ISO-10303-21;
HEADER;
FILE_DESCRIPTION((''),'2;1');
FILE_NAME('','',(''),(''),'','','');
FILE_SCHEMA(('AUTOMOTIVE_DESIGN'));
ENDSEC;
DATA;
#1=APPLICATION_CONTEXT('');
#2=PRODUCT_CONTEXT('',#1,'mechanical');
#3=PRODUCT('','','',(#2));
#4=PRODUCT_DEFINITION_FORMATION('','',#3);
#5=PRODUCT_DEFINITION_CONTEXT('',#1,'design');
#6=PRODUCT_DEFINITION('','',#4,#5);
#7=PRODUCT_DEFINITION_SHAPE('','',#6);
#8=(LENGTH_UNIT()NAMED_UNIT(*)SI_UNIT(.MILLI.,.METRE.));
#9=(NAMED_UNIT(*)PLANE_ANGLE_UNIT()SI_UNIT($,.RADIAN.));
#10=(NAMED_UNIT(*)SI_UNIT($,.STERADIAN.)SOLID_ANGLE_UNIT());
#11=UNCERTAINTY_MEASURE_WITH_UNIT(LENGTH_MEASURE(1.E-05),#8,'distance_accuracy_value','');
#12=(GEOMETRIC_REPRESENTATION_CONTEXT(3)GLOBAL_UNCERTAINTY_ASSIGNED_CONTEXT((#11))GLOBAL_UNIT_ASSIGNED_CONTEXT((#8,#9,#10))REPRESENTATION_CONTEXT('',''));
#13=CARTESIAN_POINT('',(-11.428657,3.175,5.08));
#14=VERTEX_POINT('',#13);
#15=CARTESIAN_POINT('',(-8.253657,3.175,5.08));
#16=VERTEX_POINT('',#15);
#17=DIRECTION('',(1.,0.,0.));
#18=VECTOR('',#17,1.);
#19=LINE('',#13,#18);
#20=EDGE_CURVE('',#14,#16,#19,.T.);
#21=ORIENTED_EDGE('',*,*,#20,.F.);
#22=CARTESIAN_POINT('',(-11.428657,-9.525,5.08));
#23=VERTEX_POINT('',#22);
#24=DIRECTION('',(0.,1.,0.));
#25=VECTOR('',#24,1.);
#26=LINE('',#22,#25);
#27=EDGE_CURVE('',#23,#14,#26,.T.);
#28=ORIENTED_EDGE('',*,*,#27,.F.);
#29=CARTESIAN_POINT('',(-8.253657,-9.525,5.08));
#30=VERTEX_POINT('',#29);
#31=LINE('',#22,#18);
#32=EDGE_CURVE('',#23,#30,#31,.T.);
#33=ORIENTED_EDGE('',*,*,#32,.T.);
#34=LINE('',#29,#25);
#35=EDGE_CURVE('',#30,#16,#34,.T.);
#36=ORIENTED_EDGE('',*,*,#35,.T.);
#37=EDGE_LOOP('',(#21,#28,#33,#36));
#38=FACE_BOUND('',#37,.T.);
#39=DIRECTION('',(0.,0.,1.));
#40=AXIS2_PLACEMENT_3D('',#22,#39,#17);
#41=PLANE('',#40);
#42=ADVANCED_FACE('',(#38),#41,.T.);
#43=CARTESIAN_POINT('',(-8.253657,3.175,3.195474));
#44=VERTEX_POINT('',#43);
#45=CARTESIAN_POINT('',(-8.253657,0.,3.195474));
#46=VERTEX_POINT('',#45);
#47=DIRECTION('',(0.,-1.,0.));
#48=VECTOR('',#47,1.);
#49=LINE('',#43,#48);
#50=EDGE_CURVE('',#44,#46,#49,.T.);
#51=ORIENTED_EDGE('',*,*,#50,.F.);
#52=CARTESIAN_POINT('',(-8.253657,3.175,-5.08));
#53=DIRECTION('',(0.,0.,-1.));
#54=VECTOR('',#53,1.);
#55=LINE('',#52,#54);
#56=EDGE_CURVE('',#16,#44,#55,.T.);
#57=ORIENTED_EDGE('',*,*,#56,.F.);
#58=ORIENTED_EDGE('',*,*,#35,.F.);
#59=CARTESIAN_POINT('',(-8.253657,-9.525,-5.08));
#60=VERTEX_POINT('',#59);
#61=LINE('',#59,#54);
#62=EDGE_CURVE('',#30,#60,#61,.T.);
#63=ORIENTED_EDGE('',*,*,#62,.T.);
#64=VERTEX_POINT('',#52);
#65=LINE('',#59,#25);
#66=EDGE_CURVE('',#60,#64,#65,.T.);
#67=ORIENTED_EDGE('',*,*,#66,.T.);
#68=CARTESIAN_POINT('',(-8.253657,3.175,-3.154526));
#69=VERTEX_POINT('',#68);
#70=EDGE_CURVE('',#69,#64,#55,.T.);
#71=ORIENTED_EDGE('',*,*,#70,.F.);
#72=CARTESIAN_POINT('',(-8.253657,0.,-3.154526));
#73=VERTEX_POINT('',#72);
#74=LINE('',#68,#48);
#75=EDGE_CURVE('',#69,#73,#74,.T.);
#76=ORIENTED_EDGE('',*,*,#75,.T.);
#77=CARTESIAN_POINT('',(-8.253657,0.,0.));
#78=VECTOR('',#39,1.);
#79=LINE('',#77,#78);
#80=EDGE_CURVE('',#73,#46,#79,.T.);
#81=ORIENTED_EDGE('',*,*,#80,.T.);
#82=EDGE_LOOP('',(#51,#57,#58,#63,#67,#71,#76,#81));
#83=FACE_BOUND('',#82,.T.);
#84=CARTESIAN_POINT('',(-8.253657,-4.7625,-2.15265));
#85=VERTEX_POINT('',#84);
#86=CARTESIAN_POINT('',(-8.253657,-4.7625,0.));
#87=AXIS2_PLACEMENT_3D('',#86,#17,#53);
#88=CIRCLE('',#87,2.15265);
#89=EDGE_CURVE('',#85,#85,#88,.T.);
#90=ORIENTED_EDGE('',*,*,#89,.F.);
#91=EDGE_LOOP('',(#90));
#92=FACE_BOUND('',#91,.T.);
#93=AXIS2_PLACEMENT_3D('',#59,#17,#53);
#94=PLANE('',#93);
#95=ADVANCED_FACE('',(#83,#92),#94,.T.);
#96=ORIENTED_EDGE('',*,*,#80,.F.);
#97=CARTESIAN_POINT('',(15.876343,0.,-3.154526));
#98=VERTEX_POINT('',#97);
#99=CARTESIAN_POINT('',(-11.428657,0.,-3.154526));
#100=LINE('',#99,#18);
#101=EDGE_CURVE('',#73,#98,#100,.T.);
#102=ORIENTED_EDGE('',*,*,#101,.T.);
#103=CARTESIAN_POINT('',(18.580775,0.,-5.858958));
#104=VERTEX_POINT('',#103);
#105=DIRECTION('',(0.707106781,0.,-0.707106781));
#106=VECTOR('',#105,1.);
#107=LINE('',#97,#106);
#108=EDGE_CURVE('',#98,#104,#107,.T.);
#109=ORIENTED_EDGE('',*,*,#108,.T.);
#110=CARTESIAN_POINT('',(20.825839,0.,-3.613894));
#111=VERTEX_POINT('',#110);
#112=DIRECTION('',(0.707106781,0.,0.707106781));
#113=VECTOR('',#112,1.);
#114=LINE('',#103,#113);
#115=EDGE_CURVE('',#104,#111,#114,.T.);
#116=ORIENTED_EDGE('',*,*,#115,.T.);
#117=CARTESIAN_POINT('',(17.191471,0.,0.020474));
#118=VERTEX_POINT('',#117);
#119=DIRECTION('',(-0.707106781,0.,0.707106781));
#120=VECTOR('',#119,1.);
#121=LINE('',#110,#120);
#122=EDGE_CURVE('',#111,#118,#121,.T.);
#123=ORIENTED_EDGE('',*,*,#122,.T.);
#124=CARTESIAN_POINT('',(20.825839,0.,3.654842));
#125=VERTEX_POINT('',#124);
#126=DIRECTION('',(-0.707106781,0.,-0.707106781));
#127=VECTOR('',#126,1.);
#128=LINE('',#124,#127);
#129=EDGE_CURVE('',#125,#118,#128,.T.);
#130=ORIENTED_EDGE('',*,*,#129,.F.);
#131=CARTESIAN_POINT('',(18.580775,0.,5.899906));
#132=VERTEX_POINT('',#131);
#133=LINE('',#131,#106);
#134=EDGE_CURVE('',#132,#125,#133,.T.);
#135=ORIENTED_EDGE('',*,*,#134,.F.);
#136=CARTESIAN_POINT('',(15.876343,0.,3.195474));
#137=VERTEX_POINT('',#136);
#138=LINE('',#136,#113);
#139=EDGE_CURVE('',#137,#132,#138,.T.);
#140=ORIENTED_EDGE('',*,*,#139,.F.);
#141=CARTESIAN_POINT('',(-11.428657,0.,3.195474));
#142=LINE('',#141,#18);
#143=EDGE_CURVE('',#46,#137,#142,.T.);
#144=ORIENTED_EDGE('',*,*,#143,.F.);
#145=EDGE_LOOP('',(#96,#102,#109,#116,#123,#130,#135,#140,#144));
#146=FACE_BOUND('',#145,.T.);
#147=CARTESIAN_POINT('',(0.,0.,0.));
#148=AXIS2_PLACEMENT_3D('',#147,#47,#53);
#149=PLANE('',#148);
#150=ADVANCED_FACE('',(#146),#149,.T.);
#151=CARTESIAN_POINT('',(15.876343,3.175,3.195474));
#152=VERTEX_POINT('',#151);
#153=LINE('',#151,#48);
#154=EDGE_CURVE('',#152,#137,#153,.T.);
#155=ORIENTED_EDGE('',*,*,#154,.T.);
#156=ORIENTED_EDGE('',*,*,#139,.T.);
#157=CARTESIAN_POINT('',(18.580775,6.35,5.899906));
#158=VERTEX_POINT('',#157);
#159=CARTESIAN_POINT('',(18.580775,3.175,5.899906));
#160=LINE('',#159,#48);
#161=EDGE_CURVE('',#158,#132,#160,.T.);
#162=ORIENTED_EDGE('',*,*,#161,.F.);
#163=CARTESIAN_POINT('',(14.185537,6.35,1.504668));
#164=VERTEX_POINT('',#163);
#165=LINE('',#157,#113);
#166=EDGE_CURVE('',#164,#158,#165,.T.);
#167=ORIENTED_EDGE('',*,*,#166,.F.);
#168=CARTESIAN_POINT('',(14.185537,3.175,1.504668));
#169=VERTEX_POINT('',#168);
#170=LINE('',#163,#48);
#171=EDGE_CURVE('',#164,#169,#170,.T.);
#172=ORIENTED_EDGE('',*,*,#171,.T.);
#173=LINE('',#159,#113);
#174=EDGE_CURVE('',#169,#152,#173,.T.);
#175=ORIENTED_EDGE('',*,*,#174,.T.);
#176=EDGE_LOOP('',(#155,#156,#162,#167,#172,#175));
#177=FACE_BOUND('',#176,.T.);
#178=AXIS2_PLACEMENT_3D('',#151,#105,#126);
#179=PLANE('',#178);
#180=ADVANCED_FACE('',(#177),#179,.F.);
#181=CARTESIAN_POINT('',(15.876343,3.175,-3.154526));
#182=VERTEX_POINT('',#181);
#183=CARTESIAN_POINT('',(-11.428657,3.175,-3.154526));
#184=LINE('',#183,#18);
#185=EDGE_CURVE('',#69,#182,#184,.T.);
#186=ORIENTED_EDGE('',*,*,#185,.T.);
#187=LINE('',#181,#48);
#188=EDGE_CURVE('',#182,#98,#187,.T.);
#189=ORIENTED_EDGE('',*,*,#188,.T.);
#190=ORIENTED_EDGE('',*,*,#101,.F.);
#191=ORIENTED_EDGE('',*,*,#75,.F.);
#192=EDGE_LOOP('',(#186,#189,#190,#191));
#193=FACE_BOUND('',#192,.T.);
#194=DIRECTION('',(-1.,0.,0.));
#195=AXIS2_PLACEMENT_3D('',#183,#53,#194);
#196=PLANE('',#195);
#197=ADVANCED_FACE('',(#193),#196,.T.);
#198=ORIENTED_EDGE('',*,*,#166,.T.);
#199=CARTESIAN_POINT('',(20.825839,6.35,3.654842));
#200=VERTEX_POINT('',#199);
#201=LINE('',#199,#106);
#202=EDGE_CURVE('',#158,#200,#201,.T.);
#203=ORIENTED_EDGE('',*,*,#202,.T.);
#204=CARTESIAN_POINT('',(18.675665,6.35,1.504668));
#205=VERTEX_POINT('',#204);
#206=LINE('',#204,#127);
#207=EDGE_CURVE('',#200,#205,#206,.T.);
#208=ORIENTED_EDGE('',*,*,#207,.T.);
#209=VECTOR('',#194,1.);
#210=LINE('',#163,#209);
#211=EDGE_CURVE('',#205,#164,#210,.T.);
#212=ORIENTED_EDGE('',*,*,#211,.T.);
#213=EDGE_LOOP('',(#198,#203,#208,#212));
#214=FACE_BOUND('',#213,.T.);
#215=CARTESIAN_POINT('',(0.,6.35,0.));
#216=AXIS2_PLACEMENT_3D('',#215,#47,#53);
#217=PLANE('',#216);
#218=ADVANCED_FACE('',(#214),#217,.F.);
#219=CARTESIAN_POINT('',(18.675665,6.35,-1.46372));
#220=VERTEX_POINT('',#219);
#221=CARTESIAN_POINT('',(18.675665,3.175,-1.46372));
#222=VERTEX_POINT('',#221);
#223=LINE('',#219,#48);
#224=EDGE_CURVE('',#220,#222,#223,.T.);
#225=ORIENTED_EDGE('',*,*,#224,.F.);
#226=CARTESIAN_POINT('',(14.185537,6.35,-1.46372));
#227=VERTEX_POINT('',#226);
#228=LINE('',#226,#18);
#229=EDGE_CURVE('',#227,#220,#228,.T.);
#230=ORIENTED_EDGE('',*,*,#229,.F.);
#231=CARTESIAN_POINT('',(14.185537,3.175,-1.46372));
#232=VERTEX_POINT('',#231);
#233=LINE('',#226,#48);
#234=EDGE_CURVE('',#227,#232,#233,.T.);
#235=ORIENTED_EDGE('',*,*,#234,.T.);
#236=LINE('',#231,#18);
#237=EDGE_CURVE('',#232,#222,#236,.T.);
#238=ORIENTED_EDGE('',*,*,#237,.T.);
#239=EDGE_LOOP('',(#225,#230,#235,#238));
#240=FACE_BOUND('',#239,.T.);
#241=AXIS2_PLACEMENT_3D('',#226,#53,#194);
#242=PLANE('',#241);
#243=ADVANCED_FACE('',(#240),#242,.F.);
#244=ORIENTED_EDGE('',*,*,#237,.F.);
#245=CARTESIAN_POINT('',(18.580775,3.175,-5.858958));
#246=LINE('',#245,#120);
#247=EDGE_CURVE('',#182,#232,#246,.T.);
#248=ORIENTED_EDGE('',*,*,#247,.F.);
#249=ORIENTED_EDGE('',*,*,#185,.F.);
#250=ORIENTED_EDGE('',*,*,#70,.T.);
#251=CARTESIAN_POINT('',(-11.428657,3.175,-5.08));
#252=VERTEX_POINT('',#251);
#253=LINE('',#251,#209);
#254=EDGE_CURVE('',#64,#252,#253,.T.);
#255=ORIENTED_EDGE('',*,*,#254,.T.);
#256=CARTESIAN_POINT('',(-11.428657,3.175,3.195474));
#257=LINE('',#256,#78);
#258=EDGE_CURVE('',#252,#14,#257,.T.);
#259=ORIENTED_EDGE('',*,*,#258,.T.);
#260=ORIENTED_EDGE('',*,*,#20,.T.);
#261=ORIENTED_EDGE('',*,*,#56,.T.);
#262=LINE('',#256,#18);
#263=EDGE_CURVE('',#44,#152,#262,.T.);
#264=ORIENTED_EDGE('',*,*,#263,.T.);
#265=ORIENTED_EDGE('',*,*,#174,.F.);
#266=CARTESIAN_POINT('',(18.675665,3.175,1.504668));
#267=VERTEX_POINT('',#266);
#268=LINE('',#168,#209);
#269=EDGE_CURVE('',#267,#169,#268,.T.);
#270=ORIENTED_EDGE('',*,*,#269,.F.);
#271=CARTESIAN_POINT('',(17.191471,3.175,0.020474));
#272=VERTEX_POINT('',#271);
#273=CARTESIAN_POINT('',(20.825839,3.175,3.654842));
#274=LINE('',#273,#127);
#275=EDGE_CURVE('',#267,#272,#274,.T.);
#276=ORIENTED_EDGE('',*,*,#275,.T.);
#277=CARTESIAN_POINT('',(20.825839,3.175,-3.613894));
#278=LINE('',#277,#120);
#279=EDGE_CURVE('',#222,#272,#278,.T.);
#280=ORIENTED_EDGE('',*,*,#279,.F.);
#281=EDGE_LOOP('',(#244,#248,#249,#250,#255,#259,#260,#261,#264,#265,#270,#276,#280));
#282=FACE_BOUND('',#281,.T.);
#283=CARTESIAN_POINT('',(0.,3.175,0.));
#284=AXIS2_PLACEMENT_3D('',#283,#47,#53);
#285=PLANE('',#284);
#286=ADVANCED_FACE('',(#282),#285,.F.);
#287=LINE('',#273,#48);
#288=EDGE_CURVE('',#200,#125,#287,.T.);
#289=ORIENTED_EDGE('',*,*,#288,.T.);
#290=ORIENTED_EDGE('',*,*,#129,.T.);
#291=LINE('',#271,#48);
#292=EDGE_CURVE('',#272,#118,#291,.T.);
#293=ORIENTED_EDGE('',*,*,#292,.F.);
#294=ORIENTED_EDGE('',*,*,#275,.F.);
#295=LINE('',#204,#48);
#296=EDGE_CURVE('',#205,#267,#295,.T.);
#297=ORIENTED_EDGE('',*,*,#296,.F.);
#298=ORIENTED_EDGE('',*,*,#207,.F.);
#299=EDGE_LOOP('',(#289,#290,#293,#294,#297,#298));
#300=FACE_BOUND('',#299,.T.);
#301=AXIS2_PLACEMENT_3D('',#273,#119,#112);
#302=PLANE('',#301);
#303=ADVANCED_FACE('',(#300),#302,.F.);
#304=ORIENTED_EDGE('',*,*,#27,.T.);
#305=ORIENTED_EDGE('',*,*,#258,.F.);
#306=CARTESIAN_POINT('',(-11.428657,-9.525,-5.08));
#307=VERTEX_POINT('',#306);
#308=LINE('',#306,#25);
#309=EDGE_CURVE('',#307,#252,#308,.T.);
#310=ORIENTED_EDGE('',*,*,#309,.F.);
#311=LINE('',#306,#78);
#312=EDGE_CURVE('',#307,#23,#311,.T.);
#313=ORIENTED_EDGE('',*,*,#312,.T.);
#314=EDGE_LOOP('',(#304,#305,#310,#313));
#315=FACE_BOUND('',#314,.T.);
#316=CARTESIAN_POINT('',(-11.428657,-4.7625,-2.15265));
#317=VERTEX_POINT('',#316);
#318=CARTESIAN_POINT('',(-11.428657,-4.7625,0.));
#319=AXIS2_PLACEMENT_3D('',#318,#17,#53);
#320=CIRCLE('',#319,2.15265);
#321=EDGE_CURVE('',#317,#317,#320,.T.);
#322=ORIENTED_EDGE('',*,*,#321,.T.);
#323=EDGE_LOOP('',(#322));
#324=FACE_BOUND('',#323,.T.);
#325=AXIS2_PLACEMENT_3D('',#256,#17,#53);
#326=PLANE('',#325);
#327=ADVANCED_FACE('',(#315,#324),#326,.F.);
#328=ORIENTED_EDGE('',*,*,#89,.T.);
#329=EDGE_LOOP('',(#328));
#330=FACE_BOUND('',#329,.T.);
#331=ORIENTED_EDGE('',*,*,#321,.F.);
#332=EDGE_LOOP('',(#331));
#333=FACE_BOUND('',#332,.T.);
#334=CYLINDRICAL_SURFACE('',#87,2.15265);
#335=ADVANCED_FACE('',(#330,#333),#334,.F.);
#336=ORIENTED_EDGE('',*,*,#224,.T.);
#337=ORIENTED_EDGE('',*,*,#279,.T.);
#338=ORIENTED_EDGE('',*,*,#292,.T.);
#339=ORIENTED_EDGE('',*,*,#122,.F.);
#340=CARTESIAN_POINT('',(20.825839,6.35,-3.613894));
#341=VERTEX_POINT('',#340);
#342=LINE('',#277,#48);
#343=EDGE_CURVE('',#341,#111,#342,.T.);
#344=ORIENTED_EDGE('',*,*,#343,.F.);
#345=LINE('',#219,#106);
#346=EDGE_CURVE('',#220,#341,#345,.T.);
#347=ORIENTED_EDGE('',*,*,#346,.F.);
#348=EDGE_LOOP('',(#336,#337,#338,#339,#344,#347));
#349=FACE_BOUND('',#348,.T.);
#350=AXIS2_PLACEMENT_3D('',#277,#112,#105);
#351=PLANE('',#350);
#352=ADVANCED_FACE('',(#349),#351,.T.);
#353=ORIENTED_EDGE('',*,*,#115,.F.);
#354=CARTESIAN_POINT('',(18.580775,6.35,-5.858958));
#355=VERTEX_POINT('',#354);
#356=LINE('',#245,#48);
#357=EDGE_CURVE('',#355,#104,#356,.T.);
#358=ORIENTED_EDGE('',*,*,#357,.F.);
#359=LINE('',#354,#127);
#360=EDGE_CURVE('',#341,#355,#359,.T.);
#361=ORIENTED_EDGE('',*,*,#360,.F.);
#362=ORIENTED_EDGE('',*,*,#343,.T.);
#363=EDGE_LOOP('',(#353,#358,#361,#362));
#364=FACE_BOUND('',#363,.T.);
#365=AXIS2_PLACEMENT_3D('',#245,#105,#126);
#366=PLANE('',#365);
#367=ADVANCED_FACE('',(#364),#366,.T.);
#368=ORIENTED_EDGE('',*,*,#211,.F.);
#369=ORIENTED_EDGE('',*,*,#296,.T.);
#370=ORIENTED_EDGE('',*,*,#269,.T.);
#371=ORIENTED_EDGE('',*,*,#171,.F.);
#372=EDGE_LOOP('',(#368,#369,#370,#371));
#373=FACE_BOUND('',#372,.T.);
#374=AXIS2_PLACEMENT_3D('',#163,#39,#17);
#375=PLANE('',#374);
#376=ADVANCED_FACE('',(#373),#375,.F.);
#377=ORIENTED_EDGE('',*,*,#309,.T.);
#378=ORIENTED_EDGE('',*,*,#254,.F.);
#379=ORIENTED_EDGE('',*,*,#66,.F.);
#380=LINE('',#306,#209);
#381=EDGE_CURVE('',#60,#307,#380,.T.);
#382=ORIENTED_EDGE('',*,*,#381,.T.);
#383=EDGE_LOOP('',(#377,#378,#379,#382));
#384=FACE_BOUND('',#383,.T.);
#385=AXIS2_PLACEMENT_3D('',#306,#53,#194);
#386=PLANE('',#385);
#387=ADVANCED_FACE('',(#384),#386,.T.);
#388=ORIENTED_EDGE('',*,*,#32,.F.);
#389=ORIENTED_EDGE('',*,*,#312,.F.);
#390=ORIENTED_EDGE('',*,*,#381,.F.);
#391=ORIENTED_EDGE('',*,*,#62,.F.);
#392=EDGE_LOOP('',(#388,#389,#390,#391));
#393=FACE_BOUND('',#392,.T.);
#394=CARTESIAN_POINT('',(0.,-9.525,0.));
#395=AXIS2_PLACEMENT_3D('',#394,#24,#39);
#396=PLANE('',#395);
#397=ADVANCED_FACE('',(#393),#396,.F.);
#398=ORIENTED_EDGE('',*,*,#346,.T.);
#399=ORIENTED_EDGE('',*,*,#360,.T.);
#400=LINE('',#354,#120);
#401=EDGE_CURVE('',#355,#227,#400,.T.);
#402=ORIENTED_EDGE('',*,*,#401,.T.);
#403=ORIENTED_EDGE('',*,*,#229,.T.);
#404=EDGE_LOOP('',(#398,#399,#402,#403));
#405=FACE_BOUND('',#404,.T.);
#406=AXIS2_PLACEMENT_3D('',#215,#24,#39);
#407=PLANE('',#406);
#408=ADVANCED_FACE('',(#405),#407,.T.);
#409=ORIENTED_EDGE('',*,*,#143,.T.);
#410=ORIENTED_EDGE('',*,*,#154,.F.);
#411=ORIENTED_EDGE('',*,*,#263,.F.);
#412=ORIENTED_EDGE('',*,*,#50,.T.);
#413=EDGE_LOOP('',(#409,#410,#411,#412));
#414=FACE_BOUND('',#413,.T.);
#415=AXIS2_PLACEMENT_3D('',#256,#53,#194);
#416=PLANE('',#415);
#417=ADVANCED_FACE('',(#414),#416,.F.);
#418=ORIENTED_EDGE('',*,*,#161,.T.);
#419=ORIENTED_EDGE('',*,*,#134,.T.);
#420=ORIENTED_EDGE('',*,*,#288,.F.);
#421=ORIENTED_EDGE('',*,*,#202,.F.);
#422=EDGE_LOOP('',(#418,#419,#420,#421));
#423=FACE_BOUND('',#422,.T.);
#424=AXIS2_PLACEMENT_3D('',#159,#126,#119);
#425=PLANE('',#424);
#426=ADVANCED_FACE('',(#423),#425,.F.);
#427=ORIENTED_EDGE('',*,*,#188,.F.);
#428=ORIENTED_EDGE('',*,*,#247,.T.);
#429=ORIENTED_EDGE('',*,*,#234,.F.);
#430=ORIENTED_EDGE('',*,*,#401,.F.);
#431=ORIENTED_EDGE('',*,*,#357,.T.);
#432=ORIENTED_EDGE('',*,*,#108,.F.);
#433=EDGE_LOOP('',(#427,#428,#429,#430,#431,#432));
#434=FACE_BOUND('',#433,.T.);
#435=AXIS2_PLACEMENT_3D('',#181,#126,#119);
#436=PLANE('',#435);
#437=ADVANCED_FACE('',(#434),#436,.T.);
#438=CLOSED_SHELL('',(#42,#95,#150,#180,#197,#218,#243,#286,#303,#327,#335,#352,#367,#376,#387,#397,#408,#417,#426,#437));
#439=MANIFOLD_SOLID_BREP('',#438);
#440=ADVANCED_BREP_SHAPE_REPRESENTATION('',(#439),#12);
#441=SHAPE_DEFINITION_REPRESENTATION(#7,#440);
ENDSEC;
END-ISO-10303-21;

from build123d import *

# Parameters (mm, degrees)
BOSS_EXTRUDE1_DEPTH          = 3.175
BOSS_EXTRUDE2_DEPTH          = 3.175
SKETCH3_W                    = 3.175
SKETCH3_H                    = 10.16
BOSS_EXTRUDE3_DEPTH          = 12.7
F_18_0_1695_DIAMETER_HOLE1_D = 4.3053


with BuildPart() as part:
    # Sketch1 → Boss-Extrude1 (new body)
    with BuildSketch(Plane(origin=(0, 0, 0), x_dir=(1, 0, 0), z_dir=(0, 1, 0))):
        Polygon((20.825839478, -3.654842125), (17.191471303, -0.02047395), (-11.428656758, -0.02047395), (-11.428656758, -3.19547395), (15.876343242, -3.19547395), (18.580775448, -5.899906155), align=None)
    boss_extrude1 = extrude(amount=BOSS_EXTRUDE1_DEPTH)

    # Mirror1: Boss-Extrude1 across plane
    add(boss_extrude1.mirror(Plane(origin=(-11.428656758, 3.175, 0.02047395), x_dir=(1, 0, 0), z_dir=(0, 0, 1))))

    # Sketch2 → Boss-Extrude2 (add)
    with BuildSketch(Plane(origin=(0, 3.175, 0), x_dir=(1, 0, 0), z_dir=(0, 1, 0))):
        Polygon((18.580775448, -5.899906155), (14.18553725, -1.504667957), (18.675665311, -1.504667957), (20.825839478, -3.654842125), align=None)
        Polygon((18.675665311, 1.463720058), (20.825839478, 3.613894225), (18.580775448, 5.858958256), (14.18553725, 1.463720058), align=None)
    extrude(amount=BOSS_EXTRUDE2_DEPTH)

    # Sketch3 → Boss-Extrude3 (add)
    with BuildSketch(Plane(origin=(0, 3.175, 0), x_dir=(1, 0, 0), z_dir=(0, 1, 0))):
        with Locations((-9.841156758, 0)):
            Rectangle(SKETCH3_W, SKETCH3_H)
    extrude(amount=-BOSS_EXTRUDE3_DEPTH)

    # #18 (0.1695) Diameter Hole1 (through all)
    with Locations(Plane(origin=(-8.253656758, 0, 0), x_dir=(0, 0, -1), z_dir=(1, 0, 0))):
        with Locations((0, -4.7625)):
            Hole(F_18_0_1695_DIAMETER_HOLE1_D / 2)


solid = part.part
